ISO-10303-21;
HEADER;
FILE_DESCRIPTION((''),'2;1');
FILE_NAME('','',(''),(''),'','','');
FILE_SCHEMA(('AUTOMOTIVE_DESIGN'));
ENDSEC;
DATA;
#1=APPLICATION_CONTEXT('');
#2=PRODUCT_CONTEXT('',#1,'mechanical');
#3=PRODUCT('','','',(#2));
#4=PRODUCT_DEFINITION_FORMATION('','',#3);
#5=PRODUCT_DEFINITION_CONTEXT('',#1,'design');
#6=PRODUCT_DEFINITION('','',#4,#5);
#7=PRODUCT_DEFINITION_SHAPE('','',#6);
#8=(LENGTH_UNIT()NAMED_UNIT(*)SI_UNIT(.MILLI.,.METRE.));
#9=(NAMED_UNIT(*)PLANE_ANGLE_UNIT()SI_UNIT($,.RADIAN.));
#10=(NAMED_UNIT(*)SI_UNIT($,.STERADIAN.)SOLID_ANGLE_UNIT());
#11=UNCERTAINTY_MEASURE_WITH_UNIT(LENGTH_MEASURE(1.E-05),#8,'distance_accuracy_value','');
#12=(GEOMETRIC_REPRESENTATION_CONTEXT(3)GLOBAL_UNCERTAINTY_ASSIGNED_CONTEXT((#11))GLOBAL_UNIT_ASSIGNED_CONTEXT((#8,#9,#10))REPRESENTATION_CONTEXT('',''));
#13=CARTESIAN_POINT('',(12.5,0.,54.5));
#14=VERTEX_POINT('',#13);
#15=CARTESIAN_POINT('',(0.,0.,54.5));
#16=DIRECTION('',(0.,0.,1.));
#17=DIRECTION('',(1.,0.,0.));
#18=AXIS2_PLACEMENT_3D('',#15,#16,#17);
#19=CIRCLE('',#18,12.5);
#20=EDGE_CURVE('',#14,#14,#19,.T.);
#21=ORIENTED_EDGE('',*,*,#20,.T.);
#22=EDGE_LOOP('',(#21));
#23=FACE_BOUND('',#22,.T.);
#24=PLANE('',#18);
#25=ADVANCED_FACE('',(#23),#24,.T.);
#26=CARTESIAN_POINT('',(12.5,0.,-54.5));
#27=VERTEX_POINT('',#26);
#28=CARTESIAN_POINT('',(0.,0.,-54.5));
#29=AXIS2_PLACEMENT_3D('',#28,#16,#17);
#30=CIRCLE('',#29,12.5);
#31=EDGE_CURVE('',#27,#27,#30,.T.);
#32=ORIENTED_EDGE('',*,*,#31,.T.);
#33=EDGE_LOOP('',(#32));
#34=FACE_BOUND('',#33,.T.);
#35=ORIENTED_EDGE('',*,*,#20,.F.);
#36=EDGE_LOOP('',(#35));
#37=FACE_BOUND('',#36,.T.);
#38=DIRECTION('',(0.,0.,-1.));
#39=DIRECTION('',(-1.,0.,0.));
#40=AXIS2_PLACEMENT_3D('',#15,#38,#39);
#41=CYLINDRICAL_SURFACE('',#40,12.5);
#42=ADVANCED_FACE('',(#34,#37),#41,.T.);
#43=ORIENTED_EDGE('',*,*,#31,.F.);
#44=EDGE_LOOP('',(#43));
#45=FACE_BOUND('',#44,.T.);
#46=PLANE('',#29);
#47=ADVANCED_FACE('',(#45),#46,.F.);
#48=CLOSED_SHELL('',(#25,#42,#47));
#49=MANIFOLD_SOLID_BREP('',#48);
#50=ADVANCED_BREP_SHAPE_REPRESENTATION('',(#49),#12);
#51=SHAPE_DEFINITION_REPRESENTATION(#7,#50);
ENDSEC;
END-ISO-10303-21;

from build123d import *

# Parameters (mm, degrees)
SKETCH1_R           = 12.5
BOSS_EXTRUDE1_DEPTH = 54.5


with BuildPart() as part:
    # Sketch1 → Boss-Extrude1 (new, symmetric)
    with BuildSketch(Plane.XY):
        Circle(SKETCH1_R)
    extrude(amount=BOSS_EXTRUDE1_DEPTH, both=True)


solid = part.part
